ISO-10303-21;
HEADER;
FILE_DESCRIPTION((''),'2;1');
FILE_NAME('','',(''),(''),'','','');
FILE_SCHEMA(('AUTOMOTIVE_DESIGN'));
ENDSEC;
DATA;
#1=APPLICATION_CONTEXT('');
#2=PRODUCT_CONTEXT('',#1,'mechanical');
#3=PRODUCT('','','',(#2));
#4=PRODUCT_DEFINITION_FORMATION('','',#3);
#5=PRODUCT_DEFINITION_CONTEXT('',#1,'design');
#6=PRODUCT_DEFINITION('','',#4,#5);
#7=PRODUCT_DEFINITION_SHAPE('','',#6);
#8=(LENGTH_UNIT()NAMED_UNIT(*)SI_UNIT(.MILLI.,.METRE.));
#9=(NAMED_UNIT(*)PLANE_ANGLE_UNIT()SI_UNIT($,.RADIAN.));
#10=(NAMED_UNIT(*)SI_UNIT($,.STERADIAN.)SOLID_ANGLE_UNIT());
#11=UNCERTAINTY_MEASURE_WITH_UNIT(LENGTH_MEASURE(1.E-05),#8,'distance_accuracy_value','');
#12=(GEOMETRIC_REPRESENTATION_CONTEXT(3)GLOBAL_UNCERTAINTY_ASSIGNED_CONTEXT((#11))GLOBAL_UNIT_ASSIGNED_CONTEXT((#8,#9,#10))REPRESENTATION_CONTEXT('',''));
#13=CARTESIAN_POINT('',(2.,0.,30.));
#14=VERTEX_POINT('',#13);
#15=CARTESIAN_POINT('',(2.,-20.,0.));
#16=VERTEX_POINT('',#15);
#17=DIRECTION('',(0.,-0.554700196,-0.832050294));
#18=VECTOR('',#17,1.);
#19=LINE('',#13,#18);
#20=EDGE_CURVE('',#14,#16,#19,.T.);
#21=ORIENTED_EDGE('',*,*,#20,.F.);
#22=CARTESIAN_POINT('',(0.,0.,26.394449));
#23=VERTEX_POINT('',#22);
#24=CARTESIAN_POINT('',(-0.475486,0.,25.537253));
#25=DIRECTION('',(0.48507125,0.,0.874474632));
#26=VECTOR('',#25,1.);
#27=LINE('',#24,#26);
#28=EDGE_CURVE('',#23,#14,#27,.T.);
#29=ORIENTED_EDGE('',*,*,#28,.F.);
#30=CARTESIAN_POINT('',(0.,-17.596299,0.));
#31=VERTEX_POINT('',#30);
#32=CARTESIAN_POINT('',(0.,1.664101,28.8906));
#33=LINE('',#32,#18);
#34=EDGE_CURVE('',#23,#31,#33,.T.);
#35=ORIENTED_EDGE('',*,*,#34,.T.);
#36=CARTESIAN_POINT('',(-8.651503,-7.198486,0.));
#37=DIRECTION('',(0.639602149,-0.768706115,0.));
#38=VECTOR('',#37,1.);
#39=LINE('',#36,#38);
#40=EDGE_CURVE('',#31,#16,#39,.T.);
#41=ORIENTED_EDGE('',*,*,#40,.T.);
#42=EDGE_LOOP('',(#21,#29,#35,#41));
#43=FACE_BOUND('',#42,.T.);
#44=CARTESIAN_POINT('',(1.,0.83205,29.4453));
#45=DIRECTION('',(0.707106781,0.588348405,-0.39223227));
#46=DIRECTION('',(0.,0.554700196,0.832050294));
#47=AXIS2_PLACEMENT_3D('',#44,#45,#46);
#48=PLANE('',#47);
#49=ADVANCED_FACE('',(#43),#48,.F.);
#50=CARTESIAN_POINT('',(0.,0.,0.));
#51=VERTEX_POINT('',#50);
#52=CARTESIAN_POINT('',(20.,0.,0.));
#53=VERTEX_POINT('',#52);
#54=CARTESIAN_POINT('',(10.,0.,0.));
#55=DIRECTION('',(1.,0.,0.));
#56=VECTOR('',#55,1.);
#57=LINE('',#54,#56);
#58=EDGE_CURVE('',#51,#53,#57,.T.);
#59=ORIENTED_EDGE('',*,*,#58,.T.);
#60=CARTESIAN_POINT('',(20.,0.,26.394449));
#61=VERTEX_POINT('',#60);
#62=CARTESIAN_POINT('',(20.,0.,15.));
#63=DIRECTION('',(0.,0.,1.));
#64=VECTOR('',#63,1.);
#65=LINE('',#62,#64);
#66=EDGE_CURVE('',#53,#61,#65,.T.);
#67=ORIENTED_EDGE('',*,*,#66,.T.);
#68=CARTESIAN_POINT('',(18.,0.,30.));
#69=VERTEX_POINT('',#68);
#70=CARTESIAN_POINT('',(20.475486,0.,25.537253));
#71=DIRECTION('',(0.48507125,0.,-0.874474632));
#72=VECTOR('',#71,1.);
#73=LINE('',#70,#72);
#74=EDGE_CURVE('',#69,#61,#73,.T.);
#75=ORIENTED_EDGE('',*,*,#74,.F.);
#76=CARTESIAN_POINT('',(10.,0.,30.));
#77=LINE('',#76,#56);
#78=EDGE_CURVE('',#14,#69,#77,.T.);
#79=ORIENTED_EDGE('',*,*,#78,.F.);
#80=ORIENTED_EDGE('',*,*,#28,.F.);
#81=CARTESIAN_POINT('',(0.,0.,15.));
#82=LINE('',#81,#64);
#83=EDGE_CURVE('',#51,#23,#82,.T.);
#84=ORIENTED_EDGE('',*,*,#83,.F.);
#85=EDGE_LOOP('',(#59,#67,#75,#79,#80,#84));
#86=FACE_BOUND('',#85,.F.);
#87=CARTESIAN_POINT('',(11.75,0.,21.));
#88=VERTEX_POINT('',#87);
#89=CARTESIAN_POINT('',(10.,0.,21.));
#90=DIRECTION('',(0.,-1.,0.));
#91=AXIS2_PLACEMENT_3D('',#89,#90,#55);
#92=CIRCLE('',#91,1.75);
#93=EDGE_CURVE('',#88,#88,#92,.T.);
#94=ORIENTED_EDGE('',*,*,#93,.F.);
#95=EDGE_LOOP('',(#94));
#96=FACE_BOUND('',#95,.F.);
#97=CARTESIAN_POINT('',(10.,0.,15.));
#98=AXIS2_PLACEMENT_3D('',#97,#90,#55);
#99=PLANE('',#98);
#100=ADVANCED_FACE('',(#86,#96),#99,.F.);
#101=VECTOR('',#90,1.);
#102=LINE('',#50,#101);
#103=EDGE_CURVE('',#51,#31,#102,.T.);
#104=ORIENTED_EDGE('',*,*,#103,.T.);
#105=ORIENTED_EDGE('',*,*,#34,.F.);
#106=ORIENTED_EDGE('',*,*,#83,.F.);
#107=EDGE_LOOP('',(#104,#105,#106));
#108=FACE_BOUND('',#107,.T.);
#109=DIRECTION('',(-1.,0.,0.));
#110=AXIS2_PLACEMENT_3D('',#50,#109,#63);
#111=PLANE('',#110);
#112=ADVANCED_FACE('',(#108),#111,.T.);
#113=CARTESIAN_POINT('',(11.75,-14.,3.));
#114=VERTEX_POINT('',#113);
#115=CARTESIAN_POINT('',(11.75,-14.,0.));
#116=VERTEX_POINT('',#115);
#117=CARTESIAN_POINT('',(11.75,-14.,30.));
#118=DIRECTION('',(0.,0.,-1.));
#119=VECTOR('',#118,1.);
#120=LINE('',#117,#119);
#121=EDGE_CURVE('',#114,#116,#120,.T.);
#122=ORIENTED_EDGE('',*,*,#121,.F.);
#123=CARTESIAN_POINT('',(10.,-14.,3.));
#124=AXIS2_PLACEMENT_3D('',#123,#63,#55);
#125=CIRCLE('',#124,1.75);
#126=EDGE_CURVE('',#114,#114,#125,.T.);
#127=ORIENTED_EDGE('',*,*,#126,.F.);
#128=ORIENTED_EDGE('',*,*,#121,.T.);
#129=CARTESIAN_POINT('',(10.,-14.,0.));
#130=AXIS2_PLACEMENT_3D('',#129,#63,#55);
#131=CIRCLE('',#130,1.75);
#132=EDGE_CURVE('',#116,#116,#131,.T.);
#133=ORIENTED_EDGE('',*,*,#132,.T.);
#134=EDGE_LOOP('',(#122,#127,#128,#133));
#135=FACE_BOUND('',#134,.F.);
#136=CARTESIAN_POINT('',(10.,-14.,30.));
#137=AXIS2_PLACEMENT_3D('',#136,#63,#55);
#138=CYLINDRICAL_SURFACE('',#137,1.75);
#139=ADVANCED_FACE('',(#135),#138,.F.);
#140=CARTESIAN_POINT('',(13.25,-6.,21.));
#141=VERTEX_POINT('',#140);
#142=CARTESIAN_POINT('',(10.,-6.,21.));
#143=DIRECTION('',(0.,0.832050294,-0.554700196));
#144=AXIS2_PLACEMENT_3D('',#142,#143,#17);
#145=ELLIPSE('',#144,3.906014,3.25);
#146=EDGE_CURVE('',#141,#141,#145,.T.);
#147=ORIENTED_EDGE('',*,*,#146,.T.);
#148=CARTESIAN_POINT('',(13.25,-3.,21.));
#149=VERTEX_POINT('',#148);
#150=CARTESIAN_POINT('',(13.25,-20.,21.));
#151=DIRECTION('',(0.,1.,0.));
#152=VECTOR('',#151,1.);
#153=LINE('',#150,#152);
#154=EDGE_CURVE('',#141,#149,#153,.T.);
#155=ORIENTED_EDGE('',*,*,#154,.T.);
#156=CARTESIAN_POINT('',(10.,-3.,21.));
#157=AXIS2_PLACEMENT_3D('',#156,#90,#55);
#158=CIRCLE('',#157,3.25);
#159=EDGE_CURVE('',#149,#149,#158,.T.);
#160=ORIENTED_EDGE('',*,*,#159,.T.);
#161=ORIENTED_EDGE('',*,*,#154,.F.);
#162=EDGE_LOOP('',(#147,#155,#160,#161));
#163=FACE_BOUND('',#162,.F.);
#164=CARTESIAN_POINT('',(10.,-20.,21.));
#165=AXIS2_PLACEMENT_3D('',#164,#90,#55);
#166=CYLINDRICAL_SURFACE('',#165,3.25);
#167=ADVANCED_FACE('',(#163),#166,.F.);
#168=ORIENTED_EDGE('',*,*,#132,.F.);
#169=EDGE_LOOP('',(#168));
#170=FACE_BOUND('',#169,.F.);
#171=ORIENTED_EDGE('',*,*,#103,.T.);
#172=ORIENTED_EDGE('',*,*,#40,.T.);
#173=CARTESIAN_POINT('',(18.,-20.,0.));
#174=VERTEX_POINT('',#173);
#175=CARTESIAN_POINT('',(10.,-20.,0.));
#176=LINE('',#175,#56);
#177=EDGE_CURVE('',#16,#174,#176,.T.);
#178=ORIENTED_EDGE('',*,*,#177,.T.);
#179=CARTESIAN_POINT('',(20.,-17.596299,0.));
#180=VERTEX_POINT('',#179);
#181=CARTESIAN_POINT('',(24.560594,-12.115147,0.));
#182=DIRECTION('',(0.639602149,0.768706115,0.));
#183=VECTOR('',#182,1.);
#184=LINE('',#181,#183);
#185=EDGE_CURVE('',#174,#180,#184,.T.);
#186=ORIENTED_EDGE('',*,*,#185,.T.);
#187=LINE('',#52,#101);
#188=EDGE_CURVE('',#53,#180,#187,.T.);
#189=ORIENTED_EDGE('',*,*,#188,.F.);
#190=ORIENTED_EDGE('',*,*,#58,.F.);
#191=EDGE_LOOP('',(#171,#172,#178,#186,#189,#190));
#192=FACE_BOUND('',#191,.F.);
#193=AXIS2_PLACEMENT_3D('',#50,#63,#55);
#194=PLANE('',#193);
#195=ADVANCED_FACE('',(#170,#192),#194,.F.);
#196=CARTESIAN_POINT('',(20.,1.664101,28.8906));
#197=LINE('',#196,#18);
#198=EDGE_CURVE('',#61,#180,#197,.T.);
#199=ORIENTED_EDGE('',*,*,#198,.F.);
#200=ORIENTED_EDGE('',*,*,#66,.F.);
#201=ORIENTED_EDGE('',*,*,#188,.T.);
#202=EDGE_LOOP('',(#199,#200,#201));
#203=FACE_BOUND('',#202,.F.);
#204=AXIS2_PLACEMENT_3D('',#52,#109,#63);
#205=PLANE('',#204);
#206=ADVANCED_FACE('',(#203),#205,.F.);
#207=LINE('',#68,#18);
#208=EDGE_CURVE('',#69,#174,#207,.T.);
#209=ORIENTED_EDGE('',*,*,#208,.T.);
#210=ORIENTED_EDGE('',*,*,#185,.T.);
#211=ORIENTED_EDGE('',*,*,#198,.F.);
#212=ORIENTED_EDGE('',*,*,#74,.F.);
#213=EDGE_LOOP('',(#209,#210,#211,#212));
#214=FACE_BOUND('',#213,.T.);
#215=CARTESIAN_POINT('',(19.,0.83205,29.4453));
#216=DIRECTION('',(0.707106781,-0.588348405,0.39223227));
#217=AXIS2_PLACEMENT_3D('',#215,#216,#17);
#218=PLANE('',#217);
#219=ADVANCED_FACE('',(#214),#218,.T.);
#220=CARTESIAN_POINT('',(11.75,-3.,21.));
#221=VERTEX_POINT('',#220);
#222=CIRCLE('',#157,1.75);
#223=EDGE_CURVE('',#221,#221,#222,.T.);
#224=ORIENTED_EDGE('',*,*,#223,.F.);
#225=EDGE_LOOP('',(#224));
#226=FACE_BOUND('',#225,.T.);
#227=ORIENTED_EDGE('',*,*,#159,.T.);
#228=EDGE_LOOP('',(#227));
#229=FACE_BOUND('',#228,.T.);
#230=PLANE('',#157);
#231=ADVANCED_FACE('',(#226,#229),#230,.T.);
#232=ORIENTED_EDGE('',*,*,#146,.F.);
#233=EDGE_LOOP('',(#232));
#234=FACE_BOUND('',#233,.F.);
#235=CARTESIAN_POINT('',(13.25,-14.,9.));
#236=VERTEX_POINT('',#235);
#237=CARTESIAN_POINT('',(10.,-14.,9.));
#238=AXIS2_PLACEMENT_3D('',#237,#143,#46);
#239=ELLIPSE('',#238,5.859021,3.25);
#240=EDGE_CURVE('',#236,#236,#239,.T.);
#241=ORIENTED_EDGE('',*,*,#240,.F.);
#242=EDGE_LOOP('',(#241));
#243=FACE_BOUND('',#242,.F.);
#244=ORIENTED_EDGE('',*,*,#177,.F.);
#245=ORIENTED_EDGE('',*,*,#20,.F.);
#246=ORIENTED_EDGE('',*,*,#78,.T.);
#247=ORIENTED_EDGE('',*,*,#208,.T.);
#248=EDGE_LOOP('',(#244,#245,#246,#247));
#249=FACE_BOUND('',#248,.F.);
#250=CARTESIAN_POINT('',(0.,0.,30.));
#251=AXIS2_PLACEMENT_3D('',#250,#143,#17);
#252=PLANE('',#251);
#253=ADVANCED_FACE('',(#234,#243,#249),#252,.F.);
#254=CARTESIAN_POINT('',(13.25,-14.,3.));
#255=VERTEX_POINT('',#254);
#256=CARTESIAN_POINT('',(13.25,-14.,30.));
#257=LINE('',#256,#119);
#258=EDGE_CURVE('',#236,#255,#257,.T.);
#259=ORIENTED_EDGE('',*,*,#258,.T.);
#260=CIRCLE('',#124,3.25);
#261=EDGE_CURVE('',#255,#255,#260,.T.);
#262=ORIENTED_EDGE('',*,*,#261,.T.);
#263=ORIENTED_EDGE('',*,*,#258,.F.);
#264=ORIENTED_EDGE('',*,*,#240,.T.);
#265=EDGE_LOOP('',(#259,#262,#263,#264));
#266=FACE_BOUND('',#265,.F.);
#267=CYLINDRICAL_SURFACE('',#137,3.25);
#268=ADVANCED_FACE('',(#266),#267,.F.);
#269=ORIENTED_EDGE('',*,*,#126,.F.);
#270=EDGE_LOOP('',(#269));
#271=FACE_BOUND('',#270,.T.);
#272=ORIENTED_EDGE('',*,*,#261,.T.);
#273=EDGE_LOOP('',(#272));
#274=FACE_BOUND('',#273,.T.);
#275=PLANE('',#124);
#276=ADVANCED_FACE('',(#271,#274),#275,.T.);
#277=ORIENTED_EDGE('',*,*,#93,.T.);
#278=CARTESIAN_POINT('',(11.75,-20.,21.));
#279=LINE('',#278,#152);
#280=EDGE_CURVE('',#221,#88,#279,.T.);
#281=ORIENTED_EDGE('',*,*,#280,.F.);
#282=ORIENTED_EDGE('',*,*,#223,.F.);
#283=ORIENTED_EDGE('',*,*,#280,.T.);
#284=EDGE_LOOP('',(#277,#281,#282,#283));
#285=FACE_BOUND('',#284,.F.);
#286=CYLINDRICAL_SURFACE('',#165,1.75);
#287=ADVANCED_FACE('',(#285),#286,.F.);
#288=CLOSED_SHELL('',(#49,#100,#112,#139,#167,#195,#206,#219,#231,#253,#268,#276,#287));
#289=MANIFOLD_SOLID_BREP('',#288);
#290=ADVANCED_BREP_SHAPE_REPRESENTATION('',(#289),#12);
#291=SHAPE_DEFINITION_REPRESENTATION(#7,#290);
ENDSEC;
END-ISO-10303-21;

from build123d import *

# Parameters (mm, degrees)
F0_W     = 20
F0_H     = 30
F1_DEPTH = 20
F2_R     = 3.25
F2_R_2   = 1.75
F3_DEPTH = 17
F4_DEPTH = 20.001
F7_DEPTH = 20.001
F5_R     = 3.25
F5_R_2   = 1.75
F8_DEPTH = 27
F9_DEPTH = 30.001
F10_SIZE = 2


with BuildPart() as f1:
    # F0 (on Front) → F1 (new body)
    with BuildSketch(Plane.XZ):
        with Locations((10, 15)):
            Rectangle(F0_W, F0_H)
    extrude(amount=F1_DEPTH)

    # F2 (on face) → F3 (cut)
    with BuildSketch(Plane.XZ.offset(20)):
        with Locations((10, 21)):
            Circle(F2_R)
        with Locations((10, 21)):
            Circle(F2_R_2, mode=Mode.SUBTRACT)
    extrude(amount=-F3_DEPTH, mode=Mode.SUBTRACT)

    # F4 (cut, through all): a face of the model
    f4_faces = [f1.faces().sort_by_distance(p)[0] for p in [
        (10, -20, 21),
    ]]
    extrude(f4_faces, amount=-F4_DEPTH, mode=Mode.SUBTRACT)

    # F6 (on face) → F7 (cut, through all)
    with BuildSketch(Plane(origin=(0, 0, 0), x_dir=(0, -1, 0), z_dir=(-1, 0, 0))):
        Polygon((20, 30), (0, 30), (20, 0), align=None)
    extrude(amount=-F7_DEPTH, mode=Mode.SUBTRACT)

    # F5 (on face) → F8 (cut)
    with BuildSketch(Plane.XY.offset(30)):
        with Locations((10, -14)):
            Circle(F5_R)
        with Locations((10, -14)):
            Circle(F5_R_2, mode=Mode.SUBTRACT)
    extrude(amount=-F8_DEPTH, mode=Mode.SUBTRACT)

    # F5 (on face) → F9 (cut, through all)
    with BuildSketch(Plane.XY.offset(30)):
        with Locations((10, -14)):
            Circle(F5_R_2)
    extrude(amount=-F9_DEPTH, mode=Mode.SUBTRACT)

    # F10
    f10_edges = [f1.edges().sort_by_distance(p)[0] for p in [
        (0, -10, 15),
        (20, -10, 15),
    ]]
    chamfer(f10_edges, length=F10_SIZE)


solid = f1.part
